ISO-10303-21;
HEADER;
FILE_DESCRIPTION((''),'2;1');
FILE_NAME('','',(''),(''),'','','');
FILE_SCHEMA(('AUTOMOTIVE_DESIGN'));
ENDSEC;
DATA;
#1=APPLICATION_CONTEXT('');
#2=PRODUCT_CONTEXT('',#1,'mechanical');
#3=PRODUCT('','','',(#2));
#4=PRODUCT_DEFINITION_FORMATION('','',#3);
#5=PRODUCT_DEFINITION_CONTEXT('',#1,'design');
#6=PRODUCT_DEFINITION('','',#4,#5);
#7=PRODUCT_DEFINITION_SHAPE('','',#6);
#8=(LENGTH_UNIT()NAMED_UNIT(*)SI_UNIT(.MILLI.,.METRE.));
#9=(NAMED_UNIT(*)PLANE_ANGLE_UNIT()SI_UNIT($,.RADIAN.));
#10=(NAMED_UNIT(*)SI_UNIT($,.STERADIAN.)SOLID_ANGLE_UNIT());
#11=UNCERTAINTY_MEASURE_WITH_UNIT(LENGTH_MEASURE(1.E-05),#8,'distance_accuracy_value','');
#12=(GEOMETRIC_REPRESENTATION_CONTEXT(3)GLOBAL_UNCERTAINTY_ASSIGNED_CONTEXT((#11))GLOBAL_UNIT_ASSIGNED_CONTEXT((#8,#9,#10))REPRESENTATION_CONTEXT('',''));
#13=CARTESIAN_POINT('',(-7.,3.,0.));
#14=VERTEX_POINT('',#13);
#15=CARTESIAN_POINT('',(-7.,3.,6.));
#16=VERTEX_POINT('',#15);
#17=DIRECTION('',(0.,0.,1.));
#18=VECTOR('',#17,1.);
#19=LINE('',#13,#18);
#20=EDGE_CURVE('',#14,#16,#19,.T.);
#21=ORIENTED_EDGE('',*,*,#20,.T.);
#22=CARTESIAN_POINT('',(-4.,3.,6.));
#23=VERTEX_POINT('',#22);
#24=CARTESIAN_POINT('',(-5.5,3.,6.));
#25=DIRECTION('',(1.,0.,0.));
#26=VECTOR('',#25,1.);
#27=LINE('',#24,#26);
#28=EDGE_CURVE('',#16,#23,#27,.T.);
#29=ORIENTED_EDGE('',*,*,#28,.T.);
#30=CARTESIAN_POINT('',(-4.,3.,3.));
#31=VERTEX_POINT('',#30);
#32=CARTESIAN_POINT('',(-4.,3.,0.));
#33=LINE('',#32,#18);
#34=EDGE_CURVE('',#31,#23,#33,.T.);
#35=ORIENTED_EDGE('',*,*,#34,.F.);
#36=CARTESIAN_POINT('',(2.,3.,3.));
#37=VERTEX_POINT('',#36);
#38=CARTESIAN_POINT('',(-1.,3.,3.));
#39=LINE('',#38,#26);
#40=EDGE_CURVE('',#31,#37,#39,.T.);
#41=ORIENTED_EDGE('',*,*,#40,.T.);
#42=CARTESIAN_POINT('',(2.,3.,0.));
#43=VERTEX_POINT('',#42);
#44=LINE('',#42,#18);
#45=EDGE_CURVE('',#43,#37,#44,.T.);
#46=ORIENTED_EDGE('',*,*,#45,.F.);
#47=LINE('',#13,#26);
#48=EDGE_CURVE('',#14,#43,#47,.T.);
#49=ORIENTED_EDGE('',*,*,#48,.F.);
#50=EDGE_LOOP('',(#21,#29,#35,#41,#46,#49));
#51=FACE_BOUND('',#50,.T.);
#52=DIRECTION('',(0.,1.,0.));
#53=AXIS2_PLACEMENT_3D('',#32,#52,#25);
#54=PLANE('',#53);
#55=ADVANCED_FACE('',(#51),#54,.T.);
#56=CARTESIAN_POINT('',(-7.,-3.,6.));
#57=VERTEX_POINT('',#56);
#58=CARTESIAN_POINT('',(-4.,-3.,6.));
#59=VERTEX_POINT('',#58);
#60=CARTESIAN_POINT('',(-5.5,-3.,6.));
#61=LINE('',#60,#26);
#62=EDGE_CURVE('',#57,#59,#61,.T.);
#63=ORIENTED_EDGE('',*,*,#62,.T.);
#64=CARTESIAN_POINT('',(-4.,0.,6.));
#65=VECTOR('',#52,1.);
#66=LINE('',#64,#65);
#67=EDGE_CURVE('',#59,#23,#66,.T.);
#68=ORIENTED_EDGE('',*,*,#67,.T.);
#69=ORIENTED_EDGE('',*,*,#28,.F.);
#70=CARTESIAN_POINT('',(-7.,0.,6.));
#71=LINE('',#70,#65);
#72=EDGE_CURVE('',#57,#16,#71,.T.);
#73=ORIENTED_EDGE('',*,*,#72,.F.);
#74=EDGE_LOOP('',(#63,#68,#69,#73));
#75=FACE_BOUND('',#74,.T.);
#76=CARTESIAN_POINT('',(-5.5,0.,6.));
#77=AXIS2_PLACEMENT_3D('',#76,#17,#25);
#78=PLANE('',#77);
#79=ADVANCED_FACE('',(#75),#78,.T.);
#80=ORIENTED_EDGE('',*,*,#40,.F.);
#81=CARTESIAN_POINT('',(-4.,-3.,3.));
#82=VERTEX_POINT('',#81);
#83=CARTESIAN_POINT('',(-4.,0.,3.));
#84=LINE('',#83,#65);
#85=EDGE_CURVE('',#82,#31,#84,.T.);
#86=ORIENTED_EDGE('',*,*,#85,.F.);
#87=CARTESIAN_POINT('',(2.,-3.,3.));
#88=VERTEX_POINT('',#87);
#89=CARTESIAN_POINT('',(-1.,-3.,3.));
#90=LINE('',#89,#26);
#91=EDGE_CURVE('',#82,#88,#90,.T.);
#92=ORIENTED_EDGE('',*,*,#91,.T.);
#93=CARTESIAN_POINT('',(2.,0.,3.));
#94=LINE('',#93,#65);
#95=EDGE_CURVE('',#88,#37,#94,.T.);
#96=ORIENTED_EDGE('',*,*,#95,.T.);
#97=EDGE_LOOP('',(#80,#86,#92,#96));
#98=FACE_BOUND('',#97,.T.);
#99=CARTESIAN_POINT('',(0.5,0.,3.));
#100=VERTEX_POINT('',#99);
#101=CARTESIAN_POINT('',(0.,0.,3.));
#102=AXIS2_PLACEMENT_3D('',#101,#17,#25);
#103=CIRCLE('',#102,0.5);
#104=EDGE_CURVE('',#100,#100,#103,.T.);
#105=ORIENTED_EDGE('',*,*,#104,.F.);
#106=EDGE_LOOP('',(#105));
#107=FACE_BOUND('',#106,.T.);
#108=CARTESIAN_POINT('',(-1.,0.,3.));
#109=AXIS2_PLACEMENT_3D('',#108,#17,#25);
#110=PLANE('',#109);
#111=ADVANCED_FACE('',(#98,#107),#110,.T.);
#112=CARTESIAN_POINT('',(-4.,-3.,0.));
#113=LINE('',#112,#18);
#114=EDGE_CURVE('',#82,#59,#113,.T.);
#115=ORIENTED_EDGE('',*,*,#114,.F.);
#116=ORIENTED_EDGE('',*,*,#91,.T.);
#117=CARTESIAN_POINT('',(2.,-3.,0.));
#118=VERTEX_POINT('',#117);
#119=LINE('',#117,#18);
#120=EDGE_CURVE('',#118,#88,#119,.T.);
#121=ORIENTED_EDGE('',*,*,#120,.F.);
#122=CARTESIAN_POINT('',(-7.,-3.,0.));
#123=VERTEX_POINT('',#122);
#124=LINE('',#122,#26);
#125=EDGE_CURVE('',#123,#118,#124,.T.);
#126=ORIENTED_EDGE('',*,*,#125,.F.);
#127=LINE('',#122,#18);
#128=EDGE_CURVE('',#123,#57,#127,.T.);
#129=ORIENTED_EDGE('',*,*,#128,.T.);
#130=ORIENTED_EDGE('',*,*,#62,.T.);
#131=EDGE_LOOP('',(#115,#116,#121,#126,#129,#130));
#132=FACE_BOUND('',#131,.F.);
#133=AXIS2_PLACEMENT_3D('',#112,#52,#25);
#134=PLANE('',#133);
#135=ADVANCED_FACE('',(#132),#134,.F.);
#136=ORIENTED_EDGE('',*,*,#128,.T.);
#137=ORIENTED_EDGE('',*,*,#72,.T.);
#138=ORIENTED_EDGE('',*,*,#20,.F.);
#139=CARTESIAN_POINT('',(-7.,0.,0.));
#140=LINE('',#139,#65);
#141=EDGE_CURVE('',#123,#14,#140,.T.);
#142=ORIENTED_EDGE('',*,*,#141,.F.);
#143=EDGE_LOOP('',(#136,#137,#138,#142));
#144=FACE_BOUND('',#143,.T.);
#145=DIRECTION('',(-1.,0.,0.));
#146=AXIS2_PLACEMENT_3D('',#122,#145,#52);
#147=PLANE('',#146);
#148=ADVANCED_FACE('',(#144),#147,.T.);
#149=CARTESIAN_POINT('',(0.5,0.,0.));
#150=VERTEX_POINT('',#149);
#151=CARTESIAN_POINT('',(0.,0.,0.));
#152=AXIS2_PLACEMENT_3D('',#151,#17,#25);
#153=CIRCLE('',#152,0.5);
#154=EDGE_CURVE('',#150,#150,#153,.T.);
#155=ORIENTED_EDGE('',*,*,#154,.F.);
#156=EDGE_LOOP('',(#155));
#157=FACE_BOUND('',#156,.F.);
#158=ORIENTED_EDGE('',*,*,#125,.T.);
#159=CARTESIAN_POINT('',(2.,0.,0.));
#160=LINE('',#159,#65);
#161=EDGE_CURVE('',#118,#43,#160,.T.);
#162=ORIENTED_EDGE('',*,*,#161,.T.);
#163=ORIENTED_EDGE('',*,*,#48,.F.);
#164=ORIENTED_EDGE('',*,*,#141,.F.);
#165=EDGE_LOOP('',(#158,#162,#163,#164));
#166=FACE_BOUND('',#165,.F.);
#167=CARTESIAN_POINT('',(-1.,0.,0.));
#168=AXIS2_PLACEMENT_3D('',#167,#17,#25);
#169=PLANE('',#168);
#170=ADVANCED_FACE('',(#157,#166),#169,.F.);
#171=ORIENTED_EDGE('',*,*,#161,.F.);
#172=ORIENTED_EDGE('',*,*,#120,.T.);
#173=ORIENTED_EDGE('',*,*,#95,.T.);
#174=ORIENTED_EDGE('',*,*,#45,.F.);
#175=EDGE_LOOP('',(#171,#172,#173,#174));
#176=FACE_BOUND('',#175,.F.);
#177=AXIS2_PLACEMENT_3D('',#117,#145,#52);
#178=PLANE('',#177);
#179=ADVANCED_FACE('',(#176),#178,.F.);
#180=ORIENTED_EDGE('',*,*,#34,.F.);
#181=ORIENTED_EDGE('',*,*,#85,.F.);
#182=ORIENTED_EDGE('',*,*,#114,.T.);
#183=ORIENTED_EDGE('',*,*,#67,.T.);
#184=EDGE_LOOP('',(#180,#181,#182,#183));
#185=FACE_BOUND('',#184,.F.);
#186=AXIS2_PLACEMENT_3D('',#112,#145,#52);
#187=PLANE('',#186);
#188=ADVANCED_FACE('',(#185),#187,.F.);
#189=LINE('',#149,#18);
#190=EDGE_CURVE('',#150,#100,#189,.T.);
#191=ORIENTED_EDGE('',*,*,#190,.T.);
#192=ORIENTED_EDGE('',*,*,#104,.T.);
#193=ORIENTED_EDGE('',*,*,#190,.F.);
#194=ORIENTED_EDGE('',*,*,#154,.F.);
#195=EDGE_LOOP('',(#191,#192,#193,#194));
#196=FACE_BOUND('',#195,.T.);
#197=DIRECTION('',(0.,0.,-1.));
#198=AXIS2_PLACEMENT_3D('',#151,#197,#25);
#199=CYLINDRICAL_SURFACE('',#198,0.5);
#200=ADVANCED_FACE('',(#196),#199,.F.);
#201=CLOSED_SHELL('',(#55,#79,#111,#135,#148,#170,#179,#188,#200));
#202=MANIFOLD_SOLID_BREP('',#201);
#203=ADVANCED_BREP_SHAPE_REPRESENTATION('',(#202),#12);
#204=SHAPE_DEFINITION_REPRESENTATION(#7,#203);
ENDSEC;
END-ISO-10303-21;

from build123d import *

# Parameters (mm, degrees)
F0_W     = 3
F0_H     = 6
F1_DEPTH = 6
F0_W_2   = 6
F0_R     = 0.5
F2_DEPTH = 3


with BuildPart() as f1:
    # F0 (on Top) → F1 (new body)
    with BuildSketch(Plane.XY):
        with Locations((-5.5, 0)):
            Rectangle(F0_W, F0_H)
    extrude(amount=F1_DEPTH)

    # F0 (on Top) → F2 (join)
    with BuildSketch(Plane.XY):
        with Locations((-1, 0)):
            Rectangle(F0_W_2, F0_H)
        Circle(F0_R, mode=Mode.SUBTRACT)
    extrude(amount=F2_DEPTH)


solid = f1.part
